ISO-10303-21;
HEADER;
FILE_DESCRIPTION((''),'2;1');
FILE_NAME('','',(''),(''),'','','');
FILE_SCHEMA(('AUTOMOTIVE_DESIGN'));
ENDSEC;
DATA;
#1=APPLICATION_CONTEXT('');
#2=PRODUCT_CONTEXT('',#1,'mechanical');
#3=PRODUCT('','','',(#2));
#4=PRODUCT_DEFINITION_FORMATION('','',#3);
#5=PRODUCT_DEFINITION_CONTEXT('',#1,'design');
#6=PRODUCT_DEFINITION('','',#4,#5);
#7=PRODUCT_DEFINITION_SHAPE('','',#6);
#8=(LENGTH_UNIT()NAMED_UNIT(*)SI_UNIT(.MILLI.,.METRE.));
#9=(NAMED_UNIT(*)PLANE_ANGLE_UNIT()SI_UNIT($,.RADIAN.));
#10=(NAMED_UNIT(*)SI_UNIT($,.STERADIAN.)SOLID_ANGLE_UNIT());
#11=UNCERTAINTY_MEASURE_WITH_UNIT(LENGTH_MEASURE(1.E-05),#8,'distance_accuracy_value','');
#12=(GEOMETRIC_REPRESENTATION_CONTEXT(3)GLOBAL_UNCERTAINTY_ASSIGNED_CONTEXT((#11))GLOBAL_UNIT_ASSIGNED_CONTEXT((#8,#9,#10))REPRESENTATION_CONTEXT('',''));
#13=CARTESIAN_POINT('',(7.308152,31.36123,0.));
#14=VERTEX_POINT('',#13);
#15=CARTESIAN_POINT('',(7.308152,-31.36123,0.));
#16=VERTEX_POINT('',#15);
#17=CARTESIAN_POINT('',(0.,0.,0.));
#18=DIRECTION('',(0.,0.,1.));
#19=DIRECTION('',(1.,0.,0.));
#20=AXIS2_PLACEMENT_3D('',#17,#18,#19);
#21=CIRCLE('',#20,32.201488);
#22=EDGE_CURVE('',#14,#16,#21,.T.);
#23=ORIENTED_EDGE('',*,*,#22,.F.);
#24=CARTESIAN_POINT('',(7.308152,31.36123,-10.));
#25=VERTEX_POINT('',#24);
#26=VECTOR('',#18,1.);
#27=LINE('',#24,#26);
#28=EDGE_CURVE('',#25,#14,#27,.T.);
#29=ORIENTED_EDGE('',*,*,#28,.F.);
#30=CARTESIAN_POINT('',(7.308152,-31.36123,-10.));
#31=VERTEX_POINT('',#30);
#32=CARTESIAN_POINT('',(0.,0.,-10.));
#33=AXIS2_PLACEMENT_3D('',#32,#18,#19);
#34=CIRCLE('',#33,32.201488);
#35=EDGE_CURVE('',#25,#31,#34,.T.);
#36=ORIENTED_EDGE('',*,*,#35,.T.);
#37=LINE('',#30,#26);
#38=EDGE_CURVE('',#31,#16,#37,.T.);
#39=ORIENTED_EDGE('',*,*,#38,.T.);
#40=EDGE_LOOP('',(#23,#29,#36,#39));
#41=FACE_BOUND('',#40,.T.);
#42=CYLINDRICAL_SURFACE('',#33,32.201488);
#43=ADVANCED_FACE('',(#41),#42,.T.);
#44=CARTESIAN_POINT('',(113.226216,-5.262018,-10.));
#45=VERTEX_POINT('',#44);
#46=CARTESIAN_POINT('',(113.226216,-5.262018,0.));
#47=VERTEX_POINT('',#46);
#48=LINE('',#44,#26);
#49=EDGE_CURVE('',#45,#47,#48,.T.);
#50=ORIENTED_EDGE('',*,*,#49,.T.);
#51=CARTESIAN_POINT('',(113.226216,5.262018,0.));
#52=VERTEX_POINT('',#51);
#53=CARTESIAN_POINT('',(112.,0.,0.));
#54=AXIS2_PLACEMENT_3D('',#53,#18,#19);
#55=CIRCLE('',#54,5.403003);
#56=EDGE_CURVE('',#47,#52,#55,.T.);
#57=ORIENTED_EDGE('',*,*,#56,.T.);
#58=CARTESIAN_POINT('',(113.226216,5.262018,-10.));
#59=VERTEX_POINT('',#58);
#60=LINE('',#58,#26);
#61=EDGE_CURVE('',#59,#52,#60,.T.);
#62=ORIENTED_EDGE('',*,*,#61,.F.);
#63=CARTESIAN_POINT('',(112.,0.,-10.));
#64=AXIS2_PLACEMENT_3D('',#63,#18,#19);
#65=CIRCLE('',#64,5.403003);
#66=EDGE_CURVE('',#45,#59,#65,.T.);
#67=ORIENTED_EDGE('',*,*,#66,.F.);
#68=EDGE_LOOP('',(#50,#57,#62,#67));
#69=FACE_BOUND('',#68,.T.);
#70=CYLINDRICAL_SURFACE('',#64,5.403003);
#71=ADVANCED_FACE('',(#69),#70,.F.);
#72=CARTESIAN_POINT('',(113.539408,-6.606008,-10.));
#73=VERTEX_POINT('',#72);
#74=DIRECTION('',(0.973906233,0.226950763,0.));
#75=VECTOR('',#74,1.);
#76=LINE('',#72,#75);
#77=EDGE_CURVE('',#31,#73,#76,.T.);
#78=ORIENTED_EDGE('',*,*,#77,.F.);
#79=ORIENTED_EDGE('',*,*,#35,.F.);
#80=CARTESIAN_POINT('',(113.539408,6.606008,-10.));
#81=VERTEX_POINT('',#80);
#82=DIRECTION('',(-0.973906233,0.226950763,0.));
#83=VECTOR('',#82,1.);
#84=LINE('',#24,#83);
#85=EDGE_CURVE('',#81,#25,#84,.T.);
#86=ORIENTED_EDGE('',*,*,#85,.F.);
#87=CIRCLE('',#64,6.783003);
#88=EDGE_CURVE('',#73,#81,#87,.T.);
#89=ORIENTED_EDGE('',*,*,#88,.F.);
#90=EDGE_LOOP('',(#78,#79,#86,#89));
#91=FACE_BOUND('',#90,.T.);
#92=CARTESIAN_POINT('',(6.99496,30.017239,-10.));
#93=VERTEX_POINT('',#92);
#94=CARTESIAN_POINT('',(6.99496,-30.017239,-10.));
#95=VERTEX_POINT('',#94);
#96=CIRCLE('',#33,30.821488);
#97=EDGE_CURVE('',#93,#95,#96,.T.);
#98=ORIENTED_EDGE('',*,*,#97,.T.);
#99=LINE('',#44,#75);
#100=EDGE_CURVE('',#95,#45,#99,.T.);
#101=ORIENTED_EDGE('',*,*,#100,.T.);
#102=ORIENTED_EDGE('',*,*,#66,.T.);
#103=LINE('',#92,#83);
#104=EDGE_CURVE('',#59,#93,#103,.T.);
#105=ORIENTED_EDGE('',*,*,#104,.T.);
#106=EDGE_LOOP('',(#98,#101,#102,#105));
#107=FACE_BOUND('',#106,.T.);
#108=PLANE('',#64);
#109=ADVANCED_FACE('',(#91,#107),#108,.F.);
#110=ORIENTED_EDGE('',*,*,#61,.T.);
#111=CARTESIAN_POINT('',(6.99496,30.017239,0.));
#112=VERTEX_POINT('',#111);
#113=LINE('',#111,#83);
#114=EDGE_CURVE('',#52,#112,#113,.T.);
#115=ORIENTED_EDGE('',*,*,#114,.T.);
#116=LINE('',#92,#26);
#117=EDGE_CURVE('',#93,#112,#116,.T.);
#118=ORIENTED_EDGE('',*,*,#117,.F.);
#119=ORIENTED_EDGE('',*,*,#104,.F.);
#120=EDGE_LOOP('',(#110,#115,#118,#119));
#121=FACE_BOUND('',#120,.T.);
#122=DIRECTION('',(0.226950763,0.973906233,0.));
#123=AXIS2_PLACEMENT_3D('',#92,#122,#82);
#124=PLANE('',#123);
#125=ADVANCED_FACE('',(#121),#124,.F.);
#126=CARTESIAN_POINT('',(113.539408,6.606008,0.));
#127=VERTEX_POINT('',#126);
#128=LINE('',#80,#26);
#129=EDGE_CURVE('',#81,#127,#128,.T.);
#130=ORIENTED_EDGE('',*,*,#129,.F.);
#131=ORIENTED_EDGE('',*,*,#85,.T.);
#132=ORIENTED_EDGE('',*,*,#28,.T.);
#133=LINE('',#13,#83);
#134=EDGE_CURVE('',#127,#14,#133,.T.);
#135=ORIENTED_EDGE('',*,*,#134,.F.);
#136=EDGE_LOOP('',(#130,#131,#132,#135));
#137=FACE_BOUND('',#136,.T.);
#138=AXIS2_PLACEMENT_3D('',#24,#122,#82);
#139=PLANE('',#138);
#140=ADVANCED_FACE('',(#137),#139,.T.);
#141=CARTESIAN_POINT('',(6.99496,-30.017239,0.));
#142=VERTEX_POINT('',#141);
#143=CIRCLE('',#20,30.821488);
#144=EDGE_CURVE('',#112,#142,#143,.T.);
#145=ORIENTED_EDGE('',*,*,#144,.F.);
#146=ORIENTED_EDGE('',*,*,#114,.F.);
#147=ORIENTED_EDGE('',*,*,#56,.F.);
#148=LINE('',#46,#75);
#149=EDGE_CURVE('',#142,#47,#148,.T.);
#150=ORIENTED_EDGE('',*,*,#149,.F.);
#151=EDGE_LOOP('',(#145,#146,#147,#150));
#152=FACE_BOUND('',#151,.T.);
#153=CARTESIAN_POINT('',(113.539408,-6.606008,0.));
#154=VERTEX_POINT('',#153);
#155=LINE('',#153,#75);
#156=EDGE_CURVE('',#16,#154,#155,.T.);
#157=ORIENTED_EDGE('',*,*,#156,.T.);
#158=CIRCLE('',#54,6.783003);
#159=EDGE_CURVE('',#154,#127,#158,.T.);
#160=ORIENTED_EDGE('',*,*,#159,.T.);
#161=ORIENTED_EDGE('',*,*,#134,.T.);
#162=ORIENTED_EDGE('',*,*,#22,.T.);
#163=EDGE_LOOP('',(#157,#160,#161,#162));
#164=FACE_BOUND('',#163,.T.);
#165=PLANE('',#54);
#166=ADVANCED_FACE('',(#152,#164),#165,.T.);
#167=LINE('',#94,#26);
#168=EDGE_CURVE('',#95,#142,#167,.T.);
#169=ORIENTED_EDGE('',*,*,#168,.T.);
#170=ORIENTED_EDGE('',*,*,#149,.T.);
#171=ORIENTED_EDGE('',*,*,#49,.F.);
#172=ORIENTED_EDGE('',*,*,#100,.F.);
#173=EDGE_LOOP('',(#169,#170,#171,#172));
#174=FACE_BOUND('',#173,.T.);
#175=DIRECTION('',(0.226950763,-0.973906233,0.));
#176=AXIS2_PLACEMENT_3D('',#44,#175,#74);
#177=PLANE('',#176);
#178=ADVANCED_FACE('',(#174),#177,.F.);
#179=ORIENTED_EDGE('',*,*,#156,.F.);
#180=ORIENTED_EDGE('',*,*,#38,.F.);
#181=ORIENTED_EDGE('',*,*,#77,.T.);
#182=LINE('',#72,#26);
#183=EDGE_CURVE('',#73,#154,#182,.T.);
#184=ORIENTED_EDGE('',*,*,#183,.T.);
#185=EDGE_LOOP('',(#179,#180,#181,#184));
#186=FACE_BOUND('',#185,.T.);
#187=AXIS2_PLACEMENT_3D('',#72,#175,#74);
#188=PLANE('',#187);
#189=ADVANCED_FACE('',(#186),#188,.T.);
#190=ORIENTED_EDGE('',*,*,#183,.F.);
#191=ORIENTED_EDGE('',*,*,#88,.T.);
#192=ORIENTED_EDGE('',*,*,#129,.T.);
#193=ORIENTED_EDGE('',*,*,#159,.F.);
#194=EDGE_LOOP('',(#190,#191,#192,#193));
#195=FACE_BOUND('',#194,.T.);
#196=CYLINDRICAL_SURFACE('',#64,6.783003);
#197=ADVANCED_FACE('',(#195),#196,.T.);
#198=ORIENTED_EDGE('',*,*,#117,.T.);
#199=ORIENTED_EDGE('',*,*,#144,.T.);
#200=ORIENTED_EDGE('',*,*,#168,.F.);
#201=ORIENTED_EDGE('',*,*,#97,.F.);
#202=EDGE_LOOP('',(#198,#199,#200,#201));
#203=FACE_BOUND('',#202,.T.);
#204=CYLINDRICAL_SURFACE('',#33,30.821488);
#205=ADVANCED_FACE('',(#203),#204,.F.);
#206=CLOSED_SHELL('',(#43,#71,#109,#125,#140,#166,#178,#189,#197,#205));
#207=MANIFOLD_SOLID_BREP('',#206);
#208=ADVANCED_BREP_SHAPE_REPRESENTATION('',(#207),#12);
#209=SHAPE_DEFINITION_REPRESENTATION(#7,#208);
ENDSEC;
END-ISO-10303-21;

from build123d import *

# Parameters (mm, degrees)
EXTRUDE_1_DEPTH = 10


with BuildPart() as part:
    # Эскиз1 → Бобышка-Вытянуть1 (new body)
    with BuildSketch(Plane.XY):
        with BuildLine():
            Line((7.308152284, 31.36122988), (113.539407595, 6.606008414))
            ThreePointArc((113.539407595, 6.606008414), (118.7830025, 0), (113.539407595, -6.606008414))
            Line((113.539407595, -6.606008414), (7.308152284, -31.36122988))
            ThreePointArc((7.308152284, -31.36122988), (-32.201488, 0), (7.308152284, 31.36122988))
        make_face()
        with BuildLine():
            Line((113.226215542, -5.262017813), (6.994960231, -30.017239279))
            ThreePointArc((6.994960231, -30.017239279), (-30.821488, 0), (6.994960231, 30.017239279))
            Line((6.994960231, 30.017239279), (113.226215542, 5.262017813))
            ThreePointArc((113.226215542, 5.262017813), (117.4030025, 0), (113.226215542, -5.262017813))
        make_face(mode=Mode.SUBTRACT)
    extrude(amount=-EXTRUDE_1_DEPTH)


solid = part.part
